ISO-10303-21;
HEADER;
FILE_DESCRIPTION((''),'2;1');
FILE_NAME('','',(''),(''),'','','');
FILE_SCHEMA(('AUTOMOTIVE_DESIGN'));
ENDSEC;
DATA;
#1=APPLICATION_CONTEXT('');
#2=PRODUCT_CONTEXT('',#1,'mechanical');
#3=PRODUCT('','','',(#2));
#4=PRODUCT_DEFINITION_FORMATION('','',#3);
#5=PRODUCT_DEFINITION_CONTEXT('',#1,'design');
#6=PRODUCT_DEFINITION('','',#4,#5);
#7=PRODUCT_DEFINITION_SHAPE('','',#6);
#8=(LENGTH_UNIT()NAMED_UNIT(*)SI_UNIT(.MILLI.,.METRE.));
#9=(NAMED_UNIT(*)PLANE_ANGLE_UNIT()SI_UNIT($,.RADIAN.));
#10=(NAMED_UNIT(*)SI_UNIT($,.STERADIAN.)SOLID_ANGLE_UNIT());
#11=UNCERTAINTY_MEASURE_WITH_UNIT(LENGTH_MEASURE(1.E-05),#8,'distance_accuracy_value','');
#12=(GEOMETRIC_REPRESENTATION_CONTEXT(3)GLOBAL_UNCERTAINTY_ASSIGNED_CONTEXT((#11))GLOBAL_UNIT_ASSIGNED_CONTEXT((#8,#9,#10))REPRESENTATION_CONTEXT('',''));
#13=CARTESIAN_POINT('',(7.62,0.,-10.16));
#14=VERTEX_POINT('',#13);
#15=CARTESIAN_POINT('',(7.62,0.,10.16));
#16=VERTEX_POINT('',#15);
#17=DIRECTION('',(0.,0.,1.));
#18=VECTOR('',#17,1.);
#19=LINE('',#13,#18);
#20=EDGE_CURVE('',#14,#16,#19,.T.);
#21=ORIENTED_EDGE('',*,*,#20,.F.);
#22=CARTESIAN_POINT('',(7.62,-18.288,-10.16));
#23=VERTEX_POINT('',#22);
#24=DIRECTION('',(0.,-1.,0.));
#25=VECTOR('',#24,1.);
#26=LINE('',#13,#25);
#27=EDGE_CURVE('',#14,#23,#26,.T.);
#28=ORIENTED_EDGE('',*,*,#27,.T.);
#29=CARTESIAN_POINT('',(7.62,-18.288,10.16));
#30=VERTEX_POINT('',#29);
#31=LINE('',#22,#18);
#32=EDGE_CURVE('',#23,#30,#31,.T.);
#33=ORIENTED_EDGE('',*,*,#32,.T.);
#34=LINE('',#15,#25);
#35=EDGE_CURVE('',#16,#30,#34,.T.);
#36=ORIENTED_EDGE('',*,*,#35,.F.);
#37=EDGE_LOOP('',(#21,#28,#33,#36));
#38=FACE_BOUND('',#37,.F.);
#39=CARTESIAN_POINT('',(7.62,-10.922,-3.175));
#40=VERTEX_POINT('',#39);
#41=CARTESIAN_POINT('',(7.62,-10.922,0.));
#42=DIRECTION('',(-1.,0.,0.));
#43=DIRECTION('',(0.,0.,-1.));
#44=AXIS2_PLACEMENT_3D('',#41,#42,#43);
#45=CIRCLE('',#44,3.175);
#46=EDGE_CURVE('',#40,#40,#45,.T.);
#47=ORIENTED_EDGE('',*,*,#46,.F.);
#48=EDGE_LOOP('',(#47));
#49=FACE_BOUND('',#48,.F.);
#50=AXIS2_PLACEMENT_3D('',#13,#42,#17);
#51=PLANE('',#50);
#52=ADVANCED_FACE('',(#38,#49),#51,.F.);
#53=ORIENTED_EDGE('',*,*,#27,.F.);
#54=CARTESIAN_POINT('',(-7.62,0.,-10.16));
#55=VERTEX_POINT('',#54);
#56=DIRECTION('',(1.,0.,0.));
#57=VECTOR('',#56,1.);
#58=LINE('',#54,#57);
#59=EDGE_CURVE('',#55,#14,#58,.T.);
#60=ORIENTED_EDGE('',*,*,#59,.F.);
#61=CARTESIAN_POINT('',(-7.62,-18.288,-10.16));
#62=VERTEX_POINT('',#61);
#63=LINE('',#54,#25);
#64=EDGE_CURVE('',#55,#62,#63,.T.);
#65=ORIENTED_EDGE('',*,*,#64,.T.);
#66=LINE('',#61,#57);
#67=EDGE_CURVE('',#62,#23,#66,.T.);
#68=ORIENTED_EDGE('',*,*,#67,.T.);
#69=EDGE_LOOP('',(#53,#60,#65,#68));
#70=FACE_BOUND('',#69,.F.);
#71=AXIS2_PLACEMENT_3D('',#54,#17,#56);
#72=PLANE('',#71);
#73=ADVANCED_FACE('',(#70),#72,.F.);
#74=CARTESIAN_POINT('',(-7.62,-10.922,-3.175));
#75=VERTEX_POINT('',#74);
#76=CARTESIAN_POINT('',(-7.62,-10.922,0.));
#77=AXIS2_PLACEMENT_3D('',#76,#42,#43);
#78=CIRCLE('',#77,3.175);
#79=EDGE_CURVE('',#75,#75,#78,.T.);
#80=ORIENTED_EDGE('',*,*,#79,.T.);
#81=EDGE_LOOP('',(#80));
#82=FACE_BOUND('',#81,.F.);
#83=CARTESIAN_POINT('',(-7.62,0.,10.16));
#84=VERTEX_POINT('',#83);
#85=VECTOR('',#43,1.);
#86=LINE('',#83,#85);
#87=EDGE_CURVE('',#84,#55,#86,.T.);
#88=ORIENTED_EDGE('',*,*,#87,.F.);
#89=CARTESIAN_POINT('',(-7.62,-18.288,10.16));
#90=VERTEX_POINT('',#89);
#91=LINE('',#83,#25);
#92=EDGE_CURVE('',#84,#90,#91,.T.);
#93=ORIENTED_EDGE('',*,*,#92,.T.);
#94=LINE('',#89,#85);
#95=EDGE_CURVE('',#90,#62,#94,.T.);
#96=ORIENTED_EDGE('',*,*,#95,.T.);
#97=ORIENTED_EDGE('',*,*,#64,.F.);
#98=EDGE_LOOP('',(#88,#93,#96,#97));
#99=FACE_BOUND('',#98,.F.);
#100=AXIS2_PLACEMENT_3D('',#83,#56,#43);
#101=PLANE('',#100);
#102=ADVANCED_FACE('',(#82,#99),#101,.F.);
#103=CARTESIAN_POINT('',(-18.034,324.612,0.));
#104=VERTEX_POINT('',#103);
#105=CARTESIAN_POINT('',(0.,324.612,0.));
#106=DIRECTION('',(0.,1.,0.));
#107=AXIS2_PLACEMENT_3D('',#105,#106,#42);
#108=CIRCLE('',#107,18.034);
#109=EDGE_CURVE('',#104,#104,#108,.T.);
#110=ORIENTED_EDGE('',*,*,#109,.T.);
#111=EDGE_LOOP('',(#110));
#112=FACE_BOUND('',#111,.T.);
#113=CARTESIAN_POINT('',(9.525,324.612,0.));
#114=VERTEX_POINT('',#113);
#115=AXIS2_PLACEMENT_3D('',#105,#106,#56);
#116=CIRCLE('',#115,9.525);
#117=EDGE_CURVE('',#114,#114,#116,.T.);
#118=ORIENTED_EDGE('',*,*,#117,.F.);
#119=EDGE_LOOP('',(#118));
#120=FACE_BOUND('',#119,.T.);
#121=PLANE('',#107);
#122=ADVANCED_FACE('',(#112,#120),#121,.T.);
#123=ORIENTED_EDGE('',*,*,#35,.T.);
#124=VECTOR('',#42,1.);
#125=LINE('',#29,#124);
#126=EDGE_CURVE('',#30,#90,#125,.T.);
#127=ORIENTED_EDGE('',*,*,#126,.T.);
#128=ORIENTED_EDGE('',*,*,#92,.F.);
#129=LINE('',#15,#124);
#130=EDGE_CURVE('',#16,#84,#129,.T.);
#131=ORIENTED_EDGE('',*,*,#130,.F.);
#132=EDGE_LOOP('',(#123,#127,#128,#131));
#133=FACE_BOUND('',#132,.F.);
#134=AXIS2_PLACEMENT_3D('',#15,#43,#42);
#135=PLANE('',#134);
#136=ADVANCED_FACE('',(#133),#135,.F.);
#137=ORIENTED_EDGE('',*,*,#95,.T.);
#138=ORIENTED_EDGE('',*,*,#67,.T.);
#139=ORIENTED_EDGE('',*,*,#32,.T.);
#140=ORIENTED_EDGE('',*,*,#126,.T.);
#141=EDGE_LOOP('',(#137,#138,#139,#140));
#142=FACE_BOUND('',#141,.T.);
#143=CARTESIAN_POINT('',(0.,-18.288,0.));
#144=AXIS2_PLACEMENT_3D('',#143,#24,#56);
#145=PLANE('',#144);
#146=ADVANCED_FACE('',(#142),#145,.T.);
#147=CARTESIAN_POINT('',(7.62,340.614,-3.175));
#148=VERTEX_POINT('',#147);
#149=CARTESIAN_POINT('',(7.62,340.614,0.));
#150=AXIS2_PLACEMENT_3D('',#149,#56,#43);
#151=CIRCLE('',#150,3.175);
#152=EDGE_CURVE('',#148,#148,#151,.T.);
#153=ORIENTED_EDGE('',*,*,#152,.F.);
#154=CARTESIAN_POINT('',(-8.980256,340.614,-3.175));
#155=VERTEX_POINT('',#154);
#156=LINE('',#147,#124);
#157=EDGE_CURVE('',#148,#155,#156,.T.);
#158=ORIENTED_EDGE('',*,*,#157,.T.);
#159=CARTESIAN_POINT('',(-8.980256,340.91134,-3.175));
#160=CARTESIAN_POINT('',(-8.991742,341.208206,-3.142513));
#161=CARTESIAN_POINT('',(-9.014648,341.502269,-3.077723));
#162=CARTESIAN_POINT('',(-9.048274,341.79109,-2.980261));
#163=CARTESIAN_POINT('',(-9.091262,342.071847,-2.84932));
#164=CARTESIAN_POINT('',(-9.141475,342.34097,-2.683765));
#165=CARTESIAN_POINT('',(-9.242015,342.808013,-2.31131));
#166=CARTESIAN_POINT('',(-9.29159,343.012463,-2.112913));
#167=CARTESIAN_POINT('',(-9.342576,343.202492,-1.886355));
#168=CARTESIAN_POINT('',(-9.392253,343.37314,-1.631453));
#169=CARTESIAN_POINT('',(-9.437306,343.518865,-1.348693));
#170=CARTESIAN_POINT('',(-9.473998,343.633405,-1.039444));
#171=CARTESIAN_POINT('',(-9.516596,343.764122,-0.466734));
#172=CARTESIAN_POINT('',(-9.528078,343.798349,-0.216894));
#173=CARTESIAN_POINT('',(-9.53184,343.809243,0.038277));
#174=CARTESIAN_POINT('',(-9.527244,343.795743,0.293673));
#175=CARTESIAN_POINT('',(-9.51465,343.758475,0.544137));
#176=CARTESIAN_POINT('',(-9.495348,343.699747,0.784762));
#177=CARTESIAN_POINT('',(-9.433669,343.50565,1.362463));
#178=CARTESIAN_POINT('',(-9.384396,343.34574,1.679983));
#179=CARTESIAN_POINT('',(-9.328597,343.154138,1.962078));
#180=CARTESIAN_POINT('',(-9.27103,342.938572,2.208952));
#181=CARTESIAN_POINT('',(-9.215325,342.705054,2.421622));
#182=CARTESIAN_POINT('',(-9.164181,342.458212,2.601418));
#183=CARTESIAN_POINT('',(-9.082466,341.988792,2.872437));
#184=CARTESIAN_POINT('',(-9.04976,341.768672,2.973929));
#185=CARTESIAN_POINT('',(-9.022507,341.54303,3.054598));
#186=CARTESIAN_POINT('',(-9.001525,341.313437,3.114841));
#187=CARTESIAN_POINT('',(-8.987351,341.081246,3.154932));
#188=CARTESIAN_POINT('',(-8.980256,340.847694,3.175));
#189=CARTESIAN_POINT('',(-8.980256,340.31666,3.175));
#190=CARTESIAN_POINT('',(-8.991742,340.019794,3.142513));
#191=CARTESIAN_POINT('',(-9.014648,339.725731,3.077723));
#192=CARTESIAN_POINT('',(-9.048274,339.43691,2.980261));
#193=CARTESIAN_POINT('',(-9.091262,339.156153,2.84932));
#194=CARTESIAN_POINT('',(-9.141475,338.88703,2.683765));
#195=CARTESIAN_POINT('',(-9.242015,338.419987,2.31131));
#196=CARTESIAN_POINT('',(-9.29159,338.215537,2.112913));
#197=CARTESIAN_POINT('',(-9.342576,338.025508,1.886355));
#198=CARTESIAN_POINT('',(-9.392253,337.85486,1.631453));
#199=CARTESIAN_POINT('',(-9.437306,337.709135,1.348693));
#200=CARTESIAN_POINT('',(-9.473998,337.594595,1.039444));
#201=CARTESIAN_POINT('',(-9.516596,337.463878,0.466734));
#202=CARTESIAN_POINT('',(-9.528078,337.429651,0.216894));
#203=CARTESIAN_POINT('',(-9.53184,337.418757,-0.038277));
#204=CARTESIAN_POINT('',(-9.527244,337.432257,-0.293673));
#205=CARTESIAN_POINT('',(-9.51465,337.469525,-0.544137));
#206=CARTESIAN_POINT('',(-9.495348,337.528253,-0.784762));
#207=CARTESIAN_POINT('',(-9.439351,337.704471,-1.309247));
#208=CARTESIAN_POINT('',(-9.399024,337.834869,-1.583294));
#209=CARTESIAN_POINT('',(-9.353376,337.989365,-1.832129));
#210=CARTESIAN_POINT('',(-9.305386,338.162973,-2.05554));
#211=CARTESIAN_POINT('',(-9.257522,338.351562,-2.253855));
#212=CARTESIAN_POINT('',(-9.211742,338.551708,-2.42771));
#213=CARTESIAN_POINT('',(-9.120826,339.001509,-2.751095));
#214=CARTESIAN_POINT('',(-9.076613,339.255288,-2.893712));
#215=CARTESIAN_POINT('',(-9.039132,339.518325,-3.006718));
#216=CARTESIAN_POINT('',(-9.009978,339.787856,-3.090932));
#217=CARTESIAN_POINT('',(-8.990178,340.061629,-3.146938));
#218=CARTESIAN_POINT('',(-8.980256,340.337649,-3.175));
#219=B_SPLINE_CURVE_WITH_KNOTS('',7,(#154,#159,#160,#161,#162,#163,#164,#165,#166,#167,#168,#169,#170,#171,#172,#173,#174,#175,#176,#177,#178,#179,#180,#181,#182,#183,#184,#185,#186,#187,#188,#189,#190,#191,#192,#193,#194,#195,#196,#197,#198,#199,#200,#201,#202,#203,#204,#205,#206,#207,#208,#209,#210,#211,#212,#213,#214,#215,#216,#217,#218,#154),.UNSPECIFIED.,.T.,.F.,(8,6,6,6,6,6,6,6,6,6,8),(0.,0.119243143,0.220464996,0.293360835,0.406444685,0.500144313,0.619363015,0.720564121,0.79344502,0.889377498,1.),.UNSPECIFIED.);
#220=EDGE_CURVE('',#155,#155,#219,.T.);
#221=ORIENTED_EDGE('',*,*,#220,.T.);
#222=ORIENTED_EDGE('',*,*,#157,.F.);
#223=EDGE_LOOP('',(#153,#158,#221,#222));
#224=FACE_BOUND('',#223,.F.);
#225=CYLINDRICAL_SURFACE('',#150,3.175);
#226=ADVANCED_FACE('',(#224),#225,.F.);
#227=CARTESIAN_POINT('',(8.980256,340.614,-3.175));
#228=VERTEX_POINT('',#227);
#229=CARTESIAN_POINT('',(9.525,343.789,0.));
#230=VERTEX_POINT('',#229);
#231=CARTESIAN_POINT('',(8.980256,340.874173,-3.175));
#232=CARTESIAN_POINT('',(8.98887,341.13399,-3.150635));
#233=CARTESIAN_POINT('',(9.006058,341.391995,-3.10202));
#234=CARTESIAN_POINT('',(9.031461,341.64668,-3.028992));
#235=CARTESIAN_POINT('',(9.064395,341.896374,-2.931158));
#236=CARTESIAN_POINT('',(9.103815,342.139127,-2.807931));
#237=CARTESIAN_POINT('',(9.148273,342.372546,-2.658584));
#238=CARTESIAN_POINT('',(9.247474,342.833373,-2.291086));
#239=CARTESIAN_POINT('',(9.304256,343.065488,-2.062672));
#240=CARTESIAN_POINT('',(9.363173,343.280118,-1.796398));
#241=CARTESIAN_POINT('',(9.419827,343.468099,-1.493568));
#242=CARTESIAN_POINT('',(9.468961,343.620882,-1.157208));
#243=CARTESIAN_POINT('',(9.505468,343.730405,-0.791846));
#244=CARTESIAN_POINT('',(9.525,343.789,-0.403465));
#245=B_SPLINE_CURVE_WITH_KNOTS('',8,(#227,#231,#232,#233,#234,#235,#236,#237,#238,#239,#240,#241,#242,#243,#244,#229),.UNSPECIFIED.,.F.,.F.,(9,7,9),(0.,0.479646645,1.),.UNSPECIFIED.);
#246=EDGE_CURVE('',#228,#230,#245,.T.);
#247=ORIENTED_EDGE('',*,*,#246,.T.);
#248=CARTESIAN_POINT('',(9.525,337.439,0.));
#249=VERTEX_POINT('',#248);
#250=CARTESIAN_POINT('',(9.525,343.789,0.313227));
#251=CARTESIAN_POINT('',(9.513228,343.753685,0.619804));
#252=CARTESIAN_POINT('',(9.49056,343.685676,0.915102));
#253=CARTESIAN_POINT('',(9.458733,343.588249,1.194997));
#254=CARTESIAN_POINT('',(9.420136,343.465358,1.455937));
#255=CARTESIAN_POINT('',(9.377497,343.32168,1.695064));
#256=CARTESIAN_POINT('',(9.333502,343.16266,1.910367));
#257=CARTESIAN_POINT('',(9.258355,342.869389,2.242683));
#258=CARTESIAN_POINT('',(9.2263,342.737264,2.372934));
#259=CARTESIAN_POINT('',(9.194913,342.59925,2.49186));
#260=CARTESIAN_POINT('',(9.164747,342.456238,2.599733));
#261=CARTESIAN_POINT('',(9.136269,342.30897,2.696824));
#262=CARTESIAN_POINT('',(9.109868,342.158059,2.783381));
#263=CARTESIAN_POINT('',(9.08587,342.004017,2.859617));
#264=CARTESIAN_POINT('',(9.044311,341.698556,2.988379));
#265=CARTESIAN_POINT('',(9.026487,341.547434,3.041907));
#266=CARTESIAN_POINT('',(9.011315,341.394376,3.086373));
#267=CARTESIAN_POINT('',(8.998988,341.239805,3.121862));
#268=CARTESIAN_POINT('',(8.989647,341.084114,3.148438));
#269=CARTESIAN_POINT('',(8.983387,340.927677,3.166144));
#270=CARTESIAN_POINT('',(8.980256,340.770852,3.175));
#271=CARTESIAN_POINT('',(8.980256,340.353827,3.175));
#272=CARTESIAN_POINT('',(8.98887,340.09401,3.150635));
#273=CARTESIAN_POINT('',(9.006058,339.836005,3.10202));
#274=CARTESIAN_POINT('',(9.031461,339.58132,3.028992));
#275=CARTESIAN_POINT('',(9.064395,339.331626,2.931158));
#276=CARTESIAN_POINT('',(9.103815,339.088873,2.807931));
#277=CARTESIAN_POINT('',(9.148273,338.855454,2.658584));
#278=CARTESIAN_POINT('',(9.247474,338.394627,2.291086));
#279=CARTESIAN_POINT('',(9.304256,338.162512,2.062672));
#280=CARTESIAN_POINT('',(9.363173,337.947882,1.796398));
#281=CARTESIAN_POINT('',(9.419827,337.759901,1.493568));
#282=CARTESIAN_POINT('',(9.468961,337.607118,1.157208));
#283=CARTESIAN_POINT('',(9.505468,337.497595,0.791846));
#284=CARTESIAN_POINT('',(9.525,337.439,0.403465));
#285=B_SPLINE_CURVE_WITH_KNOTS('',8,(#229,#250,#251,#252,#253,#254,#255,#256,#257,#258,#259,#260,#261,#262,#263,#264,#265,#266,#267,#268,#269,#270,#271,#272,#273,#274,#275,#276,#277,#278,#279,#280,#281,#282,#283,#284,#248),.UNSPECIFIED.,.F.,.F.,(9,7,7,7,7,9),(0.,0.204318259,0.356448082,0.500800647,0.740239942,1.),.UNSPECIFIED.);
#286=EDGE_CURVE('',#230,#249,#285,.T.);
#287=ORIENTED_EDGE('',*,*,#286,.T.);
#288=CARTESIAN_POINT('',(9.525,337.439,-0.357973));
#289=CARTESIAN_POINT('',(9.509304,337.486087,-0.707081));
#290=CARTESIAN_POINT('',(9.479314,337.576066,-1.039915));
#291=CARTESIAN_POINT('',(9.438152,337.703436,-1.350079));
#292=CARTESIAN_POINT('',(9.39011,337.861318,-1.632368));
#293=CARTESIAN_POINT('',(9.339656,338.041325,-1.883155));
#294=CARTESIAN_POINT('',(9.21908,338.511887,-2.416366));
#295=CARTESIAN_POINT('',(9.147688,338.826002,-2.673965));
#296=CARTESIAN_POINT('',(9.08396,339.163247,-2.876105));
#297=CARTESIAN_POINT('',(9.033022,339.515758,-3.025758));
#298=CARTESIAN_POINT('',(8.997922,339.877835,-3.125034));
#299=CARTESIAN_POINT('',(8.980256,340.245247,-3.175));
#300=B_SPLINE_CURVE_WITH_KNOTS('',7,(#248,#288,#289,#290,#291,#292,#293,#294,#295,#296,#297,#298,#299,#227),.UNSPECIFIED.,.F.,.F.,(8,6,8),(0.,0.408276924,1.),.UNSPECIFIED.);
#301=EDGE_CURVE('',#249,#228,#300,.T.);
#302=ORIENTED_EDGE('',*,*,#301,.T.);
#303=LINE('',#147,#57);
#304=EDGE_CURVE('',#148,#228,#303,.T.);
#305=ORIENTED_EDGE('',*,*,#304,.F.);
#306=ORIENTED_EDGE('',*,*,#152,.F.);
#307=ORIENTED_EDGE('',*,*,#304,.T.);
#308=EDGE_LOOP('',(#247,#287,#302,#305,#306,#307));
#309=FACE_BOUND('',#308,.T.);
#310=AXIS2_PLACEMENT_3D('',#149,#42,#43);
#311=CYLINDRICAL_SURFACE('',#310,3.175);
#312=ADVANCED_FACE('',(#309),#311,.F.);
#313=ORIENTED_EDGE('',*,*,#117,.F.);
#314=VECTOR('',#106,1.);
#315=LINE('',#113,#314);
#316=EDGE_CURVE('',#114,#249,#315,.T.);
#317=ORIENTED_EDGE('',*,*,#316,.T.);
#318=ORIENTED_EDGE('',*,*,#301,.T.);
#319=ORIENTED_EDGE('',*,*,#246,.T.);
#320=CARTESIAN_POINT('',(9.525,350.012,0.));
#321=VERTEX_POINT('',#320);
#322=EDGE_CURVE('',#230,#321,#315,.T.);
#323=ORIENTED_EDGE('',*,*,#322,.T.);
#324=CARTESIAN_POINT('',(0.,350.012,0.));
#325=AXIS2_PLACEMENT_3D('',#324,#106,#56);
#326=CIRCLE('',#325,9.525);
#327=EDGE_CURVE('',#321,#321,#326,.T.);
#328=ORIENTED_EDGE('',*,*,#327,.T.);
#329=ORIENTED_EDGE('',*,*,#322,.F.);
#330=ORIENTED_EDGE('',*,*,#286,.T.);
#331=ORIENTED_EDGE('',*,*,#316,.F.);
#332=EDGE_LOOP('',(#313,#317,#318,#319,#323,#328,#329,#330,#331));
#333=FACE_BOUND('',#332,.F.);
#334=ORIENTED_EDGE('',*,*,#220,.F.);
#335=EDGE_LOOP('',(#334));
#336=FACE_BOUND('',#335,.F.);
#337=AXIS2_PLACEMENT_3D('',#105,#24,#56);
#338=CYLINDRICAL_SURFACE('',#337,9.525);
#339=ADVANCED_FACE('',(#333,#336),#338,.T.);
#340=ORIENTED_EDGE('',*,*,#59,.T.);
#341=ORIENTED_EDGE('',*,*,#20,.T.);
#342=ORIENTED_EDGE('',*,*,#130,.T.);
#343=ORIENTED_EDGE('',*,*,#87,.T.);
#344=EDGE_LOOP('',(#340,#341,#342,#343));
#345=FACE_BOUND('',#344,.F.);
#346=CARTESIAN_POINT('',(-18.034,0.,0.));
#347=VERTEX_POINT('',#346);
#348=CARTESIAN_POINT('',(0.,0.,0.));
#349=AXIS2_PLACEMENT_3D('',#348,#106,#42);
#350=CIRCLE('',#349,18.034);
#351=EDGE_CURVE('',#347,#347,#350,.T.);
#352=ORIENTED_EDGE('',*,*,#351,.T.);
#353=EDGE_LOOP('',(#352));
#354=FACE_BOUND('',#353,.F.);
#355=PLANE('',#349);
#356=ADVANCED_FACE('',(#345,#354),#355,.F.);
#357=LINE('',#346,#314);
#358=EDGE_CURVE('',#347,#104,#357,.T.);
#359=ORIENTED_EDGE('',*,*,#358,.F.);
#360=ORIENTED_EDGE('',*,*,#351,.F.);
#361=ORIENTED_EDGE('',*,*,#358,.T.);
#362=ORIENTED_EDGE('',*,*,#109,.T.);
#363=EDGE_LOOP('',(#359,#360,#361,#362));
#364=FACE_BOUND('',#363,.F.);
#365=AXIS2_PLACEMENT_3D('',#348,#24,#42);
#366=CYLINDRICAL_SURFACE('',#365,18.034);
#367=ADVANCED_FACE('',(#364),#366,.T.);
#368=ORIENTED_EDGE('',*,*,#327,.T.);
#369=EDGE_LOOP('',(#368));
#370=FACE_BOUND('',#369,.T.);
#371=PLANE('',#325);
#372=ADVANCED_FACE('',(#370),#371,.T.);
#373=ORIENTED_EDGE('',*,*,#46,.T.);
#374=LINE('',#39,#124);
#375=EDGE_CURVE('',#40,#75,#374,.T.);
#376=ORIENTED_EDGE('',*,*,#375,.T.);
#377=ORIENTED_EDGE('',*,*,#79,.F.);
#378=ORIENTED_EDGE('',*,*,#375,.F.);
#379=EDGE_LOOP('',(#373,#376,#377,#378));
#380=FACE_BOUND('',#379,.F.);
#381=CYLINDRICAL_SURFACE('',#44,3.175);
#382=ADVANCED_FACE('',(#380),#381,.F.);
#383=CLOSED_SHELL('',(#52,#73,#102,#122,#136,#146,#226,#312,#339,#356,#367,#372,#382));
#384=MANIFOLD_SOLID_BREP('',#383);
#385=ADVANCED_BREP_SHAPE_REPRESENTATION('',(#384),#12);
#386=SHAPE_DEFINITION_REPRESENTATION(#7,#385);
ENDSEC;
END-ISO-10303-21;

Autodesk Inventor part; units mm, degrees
ref_plane "YZ Plane" through (0, 0, 0) normal (1, 0, 0) x (0, 1, 0)
ref_plane "XZ Plane" through (0, 0, 0) normal (0, 1, 0) x (-1, 0, 0)
ref_plane "XY Plane" through (0, 0, 0) normal (0, 0, 1) x (1, 0, 0)
sketch "Sketch1" plane through (0, 0, 0) normal (0, 1, 0) x (-1, 0, 0)
  circle A0 centre (0, 0) radius 18.034
  dimension "d0" = 36.068
extrude "Extrusion1" add sketch "Sketch1" along normal blind 324.612
sketch "Sketch2" plane through (0, 324.612, 0) normal (0, 1, 0) x (1, 0, 0)
  circle A0 centre (0, 0) radius 9.525
  dimension "d3" = 19.05
extrude "Extrusion2" add sketch "Sketch2" along normal blind 25.4
sketch "Sketch3" plane through (0, 0, 0) normal (0, -1, 0) x (1, 0, 0)
  line L0 (-7.62, -10.16) -> (7.62, -10.16)
  line L1 (7.62, -10.16) -> (7.62, 10.16)
  line L2 (7.62, 10.16) -> (-7.62, 10.16)
  line L3 (-7.62, 10.16) -> (-7.62, -10.16)
  line L4 (-7.62, -10.16) -> (7.62, 10.16) construction
  line L5 (7.62, -10.16) -> (-7.62, 10.16) construction
  point P0 (0, 0)
  dimension "d6" = 15.24
  dimension "d7" = 20.32
extrude "Extrusion3" add sketch "Sketch3" along normal blind 18.288
sketch "Sketch4" plane through (7.62, 0, 10.16) normal (1, 0, 0) x (0, 0, -1)
  line L0 (0, 0) -> (20.32, 0) projected
  line L1 (20.32, 0) -> (20.32, -18.288) projected
  point P0 (10.16, 0)
  point P1 (10.16, -10.922)
  dimension "d10" = 10.922
  dimension "d11" = 10.16
hole "Hole1" at (7.62, -10.922, 0) direction (-1, 0, 0) diameter 6.35 end through all
sketch "Sketch5" plane through (7.62, 0, 10.16) normal (1, 0, 0) x (0, 0, -1)
  circle A0 centre (10.16, 340.614) radius 3.175
  line L0 (19.685, 350.012) -> (0.635, 350.012) projected
  point P0 (10.16, 0)
  dimension "d19" = 6.35
  dimension "d24" = 9.398
extrude "Extrusion4" cut sketch "Sketch5" along normal mid plane 127
properties part number "9 inch Linear Actuator"
